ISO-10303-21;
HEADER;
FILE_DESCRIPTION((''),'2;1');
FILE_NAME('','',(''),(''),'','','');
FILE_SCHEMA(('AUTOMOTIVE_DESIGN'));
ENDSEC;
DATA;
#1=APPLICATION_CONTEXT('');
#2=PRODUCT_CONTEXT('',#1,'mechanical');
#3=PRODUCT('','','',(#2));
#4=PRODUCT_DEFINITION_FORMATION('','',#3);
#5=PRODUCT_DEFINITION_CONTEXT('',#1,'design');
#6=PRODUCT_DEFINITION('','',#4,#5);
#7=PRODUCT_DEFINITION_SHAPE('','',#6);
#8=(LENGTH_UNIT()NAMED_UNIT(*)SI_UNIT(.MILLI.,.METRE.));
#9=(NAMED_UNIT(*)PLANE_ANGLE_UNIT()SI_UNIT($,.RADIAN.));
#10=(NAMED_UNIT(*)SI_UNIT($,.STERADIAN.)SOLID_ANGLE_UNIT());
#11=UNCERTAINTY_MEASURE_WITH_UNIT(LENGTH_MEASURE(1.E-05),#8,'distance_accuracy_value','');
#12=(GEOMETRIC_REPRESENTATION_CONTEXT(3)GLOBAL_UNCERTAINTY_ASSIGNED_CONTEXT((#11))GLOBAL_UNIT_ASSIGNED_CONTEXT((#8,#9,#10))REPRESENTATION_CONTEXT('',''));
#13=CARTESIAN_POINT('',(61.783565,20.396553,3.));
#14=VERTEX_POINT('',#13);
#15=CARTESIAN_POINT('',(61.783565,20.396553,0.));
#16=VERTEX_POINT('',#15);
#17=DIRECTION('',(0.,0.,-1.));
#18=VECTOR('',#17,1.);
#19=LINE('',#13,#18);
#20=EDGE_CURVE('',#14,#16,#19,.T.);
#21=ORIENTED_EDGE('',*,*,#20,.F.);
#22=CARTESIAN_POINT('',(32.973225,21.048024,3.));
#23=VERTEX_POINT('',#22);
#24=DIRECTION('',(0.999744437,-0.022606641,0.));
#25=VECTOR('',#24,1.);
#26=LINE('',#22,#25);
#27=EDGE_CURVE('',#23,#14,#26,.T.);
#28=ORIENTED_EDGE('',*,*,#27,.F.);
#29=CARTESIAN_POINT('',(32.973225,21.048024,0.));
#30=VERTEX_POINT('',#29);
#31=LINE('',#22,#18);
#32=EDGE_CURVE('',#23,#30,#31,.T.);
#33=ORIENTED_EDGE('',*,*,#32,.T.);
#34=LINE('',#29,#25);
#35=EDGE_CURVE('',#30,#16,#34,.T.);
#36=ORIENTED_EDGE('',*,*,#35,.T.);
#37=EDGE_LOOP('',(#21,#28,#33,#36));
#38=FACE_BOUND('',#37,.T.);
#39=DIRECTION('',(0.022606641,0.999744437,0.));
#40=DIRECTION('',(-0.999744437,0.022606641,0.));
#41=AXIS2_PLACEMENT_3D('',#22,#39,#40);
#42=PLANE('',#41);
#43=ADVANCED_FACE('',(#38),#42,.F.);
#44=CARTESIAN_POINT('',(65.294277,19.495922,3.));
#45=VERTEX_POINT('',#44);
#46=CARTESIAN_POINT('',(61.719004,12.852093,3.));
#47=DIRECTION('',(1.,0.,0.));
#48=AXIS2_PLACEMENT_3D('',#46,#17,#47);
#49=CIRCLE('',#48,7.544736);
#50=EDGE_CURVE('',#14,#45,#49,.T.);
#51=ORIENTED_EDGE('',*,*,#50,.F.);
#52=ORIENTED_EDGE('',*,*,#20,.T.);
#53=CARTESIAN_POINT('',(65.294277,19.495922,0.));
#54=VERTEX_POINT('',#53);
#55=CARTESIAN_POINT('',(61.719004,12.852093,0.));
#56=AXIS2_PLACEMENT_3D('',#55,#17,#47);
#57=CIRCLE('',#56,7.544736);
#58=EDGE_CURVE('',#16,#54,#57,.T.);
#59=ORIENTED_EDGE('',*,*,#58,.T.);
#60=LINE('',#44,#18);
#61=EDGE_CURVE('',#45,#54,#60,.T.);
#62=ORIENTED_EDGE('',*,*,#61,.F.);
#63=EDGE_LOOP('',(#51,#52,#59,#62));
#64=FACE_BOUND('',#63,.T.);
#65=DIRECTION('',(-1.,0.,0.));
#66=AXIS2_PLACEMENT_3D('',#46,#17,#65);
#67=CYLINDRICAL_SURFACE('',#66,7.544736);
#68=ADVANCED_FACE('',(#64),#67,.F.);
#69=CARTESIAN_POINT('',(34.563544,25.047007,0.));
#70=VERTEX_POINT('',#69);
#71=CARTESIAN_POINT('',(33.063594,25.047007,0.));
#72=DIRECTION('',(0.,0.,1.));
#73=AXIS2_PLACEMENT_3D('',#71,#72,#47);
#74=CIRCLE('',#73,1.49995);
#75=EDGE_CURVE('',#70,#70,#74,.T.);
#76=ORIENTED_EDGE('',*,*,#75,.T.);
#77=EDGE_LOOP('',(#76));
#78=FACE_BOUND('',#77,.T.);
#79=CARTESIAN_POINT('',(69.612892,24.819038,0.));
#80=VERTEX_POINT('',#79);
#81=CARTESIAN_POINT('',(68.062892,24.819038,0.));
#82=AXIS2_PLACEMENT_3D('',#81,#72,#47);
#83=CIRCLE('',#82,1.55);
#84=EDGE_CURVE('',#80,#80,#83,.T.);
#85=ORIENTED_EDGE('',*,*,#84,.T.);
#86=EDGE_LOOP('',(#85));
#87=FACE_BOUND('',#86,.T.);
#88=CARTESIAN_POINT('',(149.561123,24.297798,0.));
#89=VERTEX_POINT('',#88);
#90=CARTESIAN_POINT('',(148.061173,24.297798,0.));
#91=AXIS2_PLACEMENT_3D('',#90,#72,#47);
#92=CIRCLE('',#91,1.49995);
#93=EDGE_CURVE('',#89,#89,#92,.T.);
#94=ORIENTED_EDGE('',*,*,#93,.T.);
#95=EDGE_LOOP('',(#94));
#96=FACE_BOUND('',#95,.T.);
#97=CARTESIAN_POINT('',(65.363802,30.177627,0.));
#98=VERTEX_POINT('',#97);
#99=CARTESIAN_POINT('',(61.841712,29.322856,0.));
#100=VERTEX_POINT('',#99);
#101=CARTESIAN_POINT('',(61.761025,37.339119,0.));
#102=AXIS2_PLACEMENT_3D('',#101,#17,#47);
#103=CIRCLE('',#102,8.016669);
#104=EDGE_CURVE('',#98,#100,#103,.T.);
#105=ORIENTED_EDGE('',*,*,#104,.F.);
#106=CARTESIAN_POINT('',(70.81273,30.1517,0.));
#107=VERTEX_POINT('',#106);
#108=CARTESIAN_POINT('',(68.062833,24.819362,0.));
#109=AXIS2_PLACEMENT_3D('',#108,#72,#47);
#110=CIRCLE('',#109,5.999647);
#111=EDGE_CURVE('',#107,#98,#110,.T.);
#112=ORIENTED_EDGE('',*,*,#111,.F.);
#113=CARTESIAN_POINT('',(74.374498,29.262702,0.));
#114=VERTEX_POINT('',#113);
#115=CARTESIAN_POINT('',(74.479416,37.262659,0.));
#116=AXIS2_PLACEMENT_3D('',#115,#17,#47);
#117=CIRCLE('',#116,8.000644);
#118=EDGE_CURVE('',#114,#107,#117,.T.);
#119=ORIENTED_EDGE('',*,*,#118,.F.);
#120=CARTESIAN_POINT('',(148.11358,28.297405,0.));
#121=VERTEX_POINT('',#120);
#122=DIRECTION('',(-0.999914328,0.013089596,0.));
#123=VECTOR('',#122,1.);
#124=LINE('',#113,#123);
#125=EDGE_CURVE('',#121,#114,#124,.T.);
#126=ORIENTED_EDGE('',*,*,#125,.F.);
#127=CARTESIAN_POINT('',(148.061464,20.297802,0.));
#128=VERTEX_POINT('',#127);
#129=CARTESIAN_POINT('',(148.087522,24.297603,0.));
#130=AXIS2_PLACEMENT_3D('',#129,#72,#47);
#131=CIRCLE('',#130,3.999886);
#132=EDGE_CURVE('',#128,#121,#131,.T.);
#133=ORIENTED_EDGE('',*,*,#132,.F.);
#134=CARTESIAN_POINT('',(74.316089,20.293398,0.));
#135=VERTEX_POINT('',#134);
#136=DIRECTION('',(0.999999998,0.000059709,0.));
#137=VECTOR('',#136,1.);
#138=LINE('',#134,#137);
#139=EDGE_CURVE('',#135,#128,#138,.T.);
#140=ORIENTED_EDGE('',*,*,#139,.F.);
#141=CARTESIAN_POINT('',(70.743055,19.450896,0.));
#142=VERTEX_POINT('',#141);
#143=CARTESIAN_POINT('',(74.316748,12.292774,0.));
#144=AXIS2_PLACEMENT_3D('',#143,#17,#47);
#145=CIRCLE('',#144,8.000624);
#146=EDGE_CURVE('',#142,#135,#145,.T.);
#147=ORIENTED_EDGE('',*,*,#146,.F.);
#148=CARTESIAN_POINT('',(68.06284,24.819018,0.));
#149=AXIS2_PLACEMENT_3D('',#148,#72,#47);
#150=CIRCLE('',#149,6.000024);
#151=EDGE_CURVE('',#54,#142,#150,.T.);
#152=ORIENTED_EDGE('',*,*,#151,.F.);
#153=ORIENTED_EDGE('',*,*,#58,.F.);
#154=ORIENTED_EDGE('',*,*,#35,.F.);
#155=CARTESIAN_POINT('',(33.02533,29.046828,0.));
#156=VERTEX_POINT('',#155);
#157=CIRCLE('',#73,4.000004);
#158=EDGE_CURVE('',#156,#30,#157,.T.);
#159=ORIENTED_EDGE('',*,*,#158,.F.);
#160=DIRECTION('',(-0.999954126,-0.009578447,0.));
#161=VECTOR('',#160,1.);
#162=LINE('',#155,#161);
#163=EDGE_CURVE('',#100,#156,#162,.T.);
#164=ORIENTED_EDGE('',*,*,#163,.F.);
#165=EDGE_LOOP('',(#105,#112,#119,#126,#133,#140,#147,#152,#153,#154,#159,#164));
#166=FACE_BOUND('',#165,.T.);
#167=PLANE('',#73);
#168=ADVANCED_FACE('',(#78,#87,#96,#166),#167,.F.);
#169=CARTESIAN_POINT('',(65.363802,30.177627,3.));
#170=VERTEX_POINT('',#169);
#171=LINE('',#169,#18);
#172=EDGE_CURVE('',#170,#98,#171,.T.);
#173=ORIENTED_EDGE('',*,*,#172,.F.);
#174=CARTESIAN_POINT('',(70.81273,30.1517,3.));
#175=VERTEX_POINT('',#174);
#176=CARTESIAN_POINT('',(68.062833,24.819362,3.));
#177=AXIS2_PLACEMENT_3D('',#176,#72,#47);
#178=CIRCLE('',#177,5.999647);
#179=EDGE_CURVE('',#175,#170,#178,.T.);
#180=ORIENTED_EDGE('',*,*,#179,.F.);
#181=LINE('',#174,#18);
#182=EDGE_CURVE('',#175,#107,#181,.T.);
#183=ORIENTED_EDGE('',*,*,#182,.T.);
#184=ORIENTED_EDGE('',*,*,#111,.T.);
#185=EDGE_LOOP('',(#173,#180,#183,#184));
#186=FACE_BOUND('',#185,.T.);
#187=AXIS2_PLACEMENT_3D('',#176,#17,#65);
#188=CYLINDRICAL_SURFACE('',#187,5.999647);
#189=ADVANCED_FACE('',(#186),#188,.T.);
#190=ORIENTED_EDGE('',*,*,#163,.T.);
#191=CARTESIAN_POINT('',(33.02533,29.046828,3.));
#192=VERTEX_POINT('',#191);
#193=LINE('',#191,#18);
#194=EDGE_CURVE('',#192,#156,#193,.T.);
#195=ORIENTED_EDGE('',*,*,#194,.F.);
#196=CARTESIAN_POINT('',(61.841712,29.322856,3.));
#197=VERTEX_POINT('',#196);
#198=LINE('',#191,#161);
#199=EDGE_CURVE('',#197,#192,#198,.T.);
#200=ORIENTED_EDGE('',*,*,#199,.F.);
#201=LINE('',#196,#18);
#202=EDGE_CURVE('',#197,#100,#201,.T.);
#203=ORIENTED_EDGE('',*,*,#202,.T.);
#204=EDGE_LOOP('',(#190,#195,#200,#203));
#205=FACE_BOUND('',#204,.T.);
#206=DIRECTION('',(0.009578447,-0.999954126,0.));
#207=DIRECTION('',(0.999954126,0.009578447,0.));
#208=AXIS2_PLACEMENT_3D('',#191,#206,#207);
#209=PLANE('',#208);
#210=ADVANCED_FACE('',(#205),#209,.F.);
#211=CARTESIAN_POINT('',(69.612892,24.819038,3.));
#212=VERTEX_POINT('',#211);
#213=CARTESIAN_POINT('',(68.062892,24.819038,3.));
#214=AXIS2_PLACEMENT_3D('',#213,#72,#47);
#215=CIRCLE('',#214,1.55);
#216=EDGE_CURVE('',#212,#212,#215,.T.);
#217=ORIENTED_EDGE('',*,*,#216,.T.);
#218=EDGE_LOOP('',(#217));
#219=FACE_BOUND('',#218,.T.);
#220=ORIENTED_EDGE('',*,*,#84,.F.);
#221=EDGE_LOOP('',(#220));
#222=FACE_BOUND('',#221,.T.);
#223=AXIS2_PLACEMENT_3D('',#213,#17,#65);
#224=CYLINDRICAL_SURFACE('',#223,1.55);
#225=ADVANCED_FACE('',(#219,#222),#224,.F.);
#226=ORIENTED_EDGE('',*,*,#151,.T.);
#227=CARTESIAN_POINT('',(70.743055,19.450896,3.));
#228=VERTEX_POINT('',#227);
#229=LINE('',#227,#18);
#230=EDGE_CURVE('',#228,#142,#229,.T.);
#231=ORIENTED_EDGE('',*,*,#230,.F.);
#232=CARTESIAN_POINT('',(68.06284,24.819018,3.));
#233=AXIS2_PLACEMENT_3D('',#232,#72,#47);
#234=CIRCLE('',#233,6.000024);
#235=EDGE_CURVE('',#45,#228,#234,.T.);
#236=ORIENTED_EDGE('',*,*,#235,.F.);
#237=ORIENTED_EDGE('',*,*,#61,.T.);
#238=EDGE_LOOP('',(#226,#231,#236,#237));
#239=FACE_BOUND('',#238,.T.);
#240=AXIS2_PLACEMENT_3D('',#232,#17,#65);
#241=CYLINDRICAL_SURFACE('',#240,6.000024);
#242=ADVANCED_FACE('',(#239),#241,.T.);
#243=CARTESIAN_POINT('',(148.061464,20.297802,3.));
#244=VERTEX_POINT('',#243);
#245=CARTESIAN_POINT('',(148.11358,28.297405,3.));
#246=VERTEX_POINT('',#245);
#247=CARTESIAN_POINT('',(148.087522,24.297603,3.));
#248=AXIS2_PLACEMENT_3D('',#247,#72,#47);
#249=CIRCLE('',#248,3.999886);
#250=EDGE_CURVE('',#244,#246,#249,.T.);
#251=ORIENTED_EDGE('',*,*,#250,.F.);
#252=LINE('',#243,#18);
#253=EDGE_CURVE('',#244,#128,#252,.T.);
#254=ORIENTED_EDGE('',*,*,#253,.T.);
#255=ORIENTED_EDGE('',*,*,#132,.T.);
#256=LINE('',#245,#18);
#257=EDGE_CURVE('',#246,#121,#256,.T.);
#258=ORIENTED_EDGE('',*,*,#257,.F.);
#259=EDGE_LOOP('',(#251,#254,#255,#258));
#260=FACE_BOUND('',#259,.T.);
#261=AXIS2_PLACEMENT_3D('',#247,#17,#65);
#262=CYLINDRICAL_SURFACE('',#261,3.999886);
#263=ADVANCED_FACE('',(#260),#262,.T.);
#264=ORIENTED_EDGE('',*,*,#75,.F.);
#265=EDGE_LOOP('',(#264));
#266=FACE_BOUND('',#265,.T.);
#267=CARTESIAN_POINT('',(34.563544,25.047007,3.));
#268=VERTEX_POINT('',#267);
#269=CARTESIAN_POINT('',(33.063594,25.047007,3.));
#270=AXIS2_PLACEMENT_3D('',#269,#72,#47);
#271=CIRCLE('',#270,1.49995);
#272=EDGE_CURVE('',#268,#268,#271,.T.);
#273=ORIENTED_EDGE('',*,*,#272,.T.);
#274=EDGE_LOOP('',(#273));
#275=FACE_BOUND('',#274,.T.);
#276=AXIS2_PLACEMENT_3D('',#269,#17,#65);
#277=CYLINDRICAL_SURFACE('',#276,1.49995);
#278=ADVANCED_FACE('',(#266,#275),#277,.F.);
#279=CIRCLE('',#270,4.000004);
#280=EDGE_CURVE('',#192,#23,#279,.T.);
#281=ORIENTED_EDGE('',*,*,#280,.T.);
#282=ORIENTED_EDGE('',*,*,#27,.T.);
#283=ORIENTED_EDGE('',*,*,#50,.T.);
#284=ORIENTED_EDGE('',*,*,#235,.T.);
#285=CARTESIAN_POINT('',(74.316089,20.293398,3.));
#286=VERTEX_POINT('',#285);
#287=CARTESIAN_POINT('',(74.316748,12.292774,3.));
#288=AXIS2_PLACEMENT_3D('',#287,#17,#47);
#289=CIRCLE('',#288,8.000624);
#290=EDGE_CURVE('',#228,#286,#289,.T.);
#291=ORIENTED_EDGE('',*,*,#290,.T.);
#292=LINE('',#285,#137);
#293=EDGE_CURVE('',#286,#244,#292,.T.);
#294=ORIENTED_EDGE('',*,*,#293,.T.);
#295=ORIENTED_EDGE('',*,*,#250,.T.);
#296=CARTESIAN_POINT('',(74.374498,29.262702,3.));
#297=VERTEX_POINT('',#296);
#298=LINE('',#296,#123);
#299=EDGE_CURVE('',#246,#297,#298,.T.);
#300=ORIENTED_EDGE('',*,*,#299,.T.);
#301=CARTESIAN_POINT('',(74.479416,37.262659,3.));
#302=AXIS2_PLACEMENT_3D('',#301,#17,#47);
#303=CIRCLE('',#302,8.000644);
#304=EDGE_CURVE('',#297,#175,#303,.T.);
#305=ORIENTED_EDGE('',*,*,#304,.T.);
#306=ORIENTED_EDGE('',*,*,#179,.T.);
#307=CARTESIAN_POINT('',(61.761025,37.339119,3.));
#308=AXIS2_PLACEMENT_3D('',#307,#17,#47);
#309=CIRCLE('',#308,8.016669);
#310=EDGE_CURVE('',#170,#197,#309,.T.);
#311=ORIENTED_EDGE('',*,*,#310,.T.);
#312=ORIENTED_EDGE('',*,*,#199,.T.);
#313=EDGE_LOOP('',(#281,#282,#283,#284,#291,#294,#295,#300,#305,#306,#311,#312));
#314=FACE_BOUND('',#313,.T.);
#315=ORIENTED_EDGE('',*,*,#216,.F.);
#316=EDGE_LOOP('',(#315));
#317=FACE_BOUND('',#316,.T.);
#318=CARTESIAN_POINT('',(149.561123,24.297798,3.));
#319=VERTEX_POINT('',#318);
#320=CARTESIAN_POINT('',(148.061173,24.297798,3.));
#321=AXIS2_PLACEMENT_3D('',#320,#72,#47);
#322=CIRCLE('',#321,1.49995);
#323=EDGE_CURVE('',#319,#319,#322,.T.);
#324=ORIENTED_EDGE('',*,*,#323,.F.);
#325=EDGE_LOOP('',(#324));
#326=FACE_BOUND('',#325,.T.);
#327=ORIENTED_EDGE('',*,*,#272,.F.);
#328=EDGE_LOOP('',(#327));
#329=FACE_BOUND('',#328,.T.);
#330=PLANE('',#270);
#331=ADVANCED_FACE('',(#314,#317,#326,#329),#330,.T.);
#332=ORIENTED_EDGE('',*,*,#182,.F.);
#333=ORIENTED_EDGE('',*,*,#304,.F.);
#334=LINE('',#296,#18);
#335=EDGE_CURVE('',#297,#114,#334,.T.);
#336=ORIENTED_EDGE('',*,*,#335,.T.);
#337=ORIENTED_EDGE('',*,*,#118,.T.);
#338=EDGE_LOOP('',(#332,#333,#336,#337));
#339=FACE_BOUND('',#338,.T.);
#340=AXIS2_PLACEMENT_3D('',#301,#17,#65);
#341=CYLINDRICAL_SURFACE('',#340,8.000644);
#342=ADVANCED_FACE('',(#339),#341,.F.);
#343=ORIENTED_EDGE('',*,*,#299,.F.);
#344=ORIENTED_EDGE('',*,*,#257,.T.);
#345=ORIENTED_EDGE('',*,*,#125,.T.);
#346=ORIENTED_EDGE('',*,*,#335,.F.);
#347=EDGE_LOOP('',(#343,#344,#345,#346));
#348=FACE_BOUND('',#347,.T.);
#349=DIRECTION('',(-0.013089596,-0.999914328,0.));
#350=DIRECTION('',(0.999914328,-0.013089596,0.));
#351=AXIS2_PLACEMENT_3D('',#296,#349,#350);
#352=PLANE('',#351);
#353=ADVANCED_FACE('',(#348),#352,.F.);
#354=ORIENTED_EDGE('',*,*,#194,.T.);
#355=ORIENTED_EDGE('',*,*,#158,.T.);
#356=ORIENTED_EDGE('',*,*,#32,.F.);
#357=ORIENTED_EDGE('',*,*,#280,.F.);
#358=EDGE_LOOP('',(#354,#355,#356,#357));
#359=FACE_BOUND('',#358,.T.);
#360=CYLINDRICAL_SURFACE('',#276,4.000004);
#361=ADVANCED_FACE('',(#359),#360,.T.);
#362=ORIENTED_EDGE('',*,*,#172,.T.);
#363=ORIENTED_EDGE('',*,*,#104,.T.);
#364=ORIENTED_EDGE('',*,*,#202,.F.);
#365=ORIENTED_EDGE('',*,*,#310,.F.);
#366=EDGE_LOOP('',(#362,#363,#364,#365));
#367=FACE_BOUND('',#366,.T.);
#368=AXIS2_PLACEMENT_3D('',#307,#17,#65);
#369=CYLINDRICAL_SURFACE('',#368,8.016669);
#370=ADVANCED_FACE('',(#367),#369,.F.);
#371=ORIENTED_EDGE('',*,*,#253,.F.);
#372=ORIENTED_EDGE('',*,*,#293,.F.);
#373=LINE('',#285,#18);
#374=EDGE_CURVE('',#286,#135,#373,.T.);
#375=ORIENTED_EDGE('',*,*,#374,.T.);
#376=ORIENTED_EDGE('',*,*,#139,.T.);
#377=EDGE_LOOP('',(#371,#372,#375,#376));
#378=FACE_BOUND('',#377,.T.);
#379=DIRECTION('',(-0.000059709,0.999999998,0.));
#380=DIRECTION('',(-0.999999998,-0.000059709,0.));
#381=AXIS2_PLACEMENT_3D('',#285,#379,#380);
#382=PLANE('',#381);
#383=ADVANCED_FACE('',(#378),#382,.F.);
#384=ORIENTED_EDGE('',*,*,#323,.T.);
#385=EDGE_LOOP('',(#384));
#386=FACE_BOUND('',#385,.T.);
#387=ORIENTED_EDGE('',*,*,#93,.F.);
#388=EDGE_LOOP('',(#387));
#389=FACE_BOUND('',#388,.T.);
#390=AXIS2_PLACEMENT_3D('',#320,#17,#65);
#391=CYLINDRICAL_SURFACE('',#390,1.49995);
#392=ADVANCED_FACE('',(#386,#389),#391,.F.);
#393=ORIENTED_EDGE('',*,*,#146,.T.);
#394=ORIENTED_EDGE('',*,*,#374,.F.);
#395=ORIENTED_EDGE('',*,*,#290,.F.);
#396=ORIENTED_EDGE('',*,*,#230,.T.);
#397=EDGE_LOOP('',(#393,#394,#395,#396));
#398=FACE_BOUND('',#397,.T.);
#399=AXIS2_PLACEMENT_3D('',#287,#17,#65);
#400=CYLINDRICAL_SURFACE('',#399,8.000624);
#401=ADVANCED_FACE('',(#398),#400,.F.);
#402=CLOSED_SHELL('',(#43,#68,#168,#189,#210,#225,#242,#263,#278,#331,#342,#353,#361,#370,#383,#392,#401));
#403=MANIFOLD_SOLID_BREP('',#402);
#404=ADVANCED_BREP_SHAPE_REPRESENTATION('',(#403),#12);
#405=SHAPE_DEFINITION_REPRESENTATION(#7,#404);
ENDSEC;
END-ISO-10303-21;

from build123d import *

# Parameters (mm, degrees)
MODEL_R             = 1.550000002
MODEL_R_2           = 1.499950001
BOSS_EXTRUDE1_DEPTH = 3


with BuildPart() as part:
    # Model → Boss-Extrude1 (new body)
    with BuildSketch(Plane.XY):
        with BuildLine():
            Line((32.97322454, 21.048024358), (61.783565293, 20.396552836))
            ThreePointArc((61.783565293, 20.396552836), (63.593806051, 20.160181577), (65.294277169, 19.495921878))
            ThreePointArc((65.294277169, 19.495921878), (68.013259801, 18.819198736), (70.743054605, 19.450895727))
            ThreePointArc((70.743054605, 19.450895727), (72.480596615, 20.079849108), (74.316088734, 20.293398335))
            Line((74.316088734, 20.293398335), (148.061464316, 20.29780157))
            ThreePointArc((148.061464316, 20.29780157), (152.087323917, 24.271545137), (148.113580351, 28.297404738))
            Line((148.113580351, 28.297404738), (74.374498298, 29.262702199))
            ThreePointArc((74.374498298, 29.262702199), (72.541936049, 29.500153645), (70.812729781, 30.151700471))
            ThreePointArc((70.812729781, 30.151700471), (68.091379164, 30.818941399), (65.363802325, 30.177626949))
            ThreePointArc((65.363802325, 30.177626949), (63.65169563, 29.548590215), (61.841711979, 29.322856457))
            Line((61.841711979, 29.322856457), (33.025330103, 29.046827594))
            ThreePointArc((33.025330103, 29.046827594), (29.063675601, 25.073063154), (32.97322454, 21.048024358))
        make_face()
        with Locations((68.062891797, 24.819037875)):
            Circle(MODEL_R, mode=Mode.SUBTRACT)
        with Locations((148.06117271, 24.297798301)):
            Circle(MODEL_R_2, mode=Mode.SUBTRACT)
        with Locations((33.063594348, 25.047007004)):
            Circle(MODEL_R_2, mode=Mode.SUBTRACT)
    extrude(amount=BOSS_EXTRUDE1_DEPTH)


solid = part.part
